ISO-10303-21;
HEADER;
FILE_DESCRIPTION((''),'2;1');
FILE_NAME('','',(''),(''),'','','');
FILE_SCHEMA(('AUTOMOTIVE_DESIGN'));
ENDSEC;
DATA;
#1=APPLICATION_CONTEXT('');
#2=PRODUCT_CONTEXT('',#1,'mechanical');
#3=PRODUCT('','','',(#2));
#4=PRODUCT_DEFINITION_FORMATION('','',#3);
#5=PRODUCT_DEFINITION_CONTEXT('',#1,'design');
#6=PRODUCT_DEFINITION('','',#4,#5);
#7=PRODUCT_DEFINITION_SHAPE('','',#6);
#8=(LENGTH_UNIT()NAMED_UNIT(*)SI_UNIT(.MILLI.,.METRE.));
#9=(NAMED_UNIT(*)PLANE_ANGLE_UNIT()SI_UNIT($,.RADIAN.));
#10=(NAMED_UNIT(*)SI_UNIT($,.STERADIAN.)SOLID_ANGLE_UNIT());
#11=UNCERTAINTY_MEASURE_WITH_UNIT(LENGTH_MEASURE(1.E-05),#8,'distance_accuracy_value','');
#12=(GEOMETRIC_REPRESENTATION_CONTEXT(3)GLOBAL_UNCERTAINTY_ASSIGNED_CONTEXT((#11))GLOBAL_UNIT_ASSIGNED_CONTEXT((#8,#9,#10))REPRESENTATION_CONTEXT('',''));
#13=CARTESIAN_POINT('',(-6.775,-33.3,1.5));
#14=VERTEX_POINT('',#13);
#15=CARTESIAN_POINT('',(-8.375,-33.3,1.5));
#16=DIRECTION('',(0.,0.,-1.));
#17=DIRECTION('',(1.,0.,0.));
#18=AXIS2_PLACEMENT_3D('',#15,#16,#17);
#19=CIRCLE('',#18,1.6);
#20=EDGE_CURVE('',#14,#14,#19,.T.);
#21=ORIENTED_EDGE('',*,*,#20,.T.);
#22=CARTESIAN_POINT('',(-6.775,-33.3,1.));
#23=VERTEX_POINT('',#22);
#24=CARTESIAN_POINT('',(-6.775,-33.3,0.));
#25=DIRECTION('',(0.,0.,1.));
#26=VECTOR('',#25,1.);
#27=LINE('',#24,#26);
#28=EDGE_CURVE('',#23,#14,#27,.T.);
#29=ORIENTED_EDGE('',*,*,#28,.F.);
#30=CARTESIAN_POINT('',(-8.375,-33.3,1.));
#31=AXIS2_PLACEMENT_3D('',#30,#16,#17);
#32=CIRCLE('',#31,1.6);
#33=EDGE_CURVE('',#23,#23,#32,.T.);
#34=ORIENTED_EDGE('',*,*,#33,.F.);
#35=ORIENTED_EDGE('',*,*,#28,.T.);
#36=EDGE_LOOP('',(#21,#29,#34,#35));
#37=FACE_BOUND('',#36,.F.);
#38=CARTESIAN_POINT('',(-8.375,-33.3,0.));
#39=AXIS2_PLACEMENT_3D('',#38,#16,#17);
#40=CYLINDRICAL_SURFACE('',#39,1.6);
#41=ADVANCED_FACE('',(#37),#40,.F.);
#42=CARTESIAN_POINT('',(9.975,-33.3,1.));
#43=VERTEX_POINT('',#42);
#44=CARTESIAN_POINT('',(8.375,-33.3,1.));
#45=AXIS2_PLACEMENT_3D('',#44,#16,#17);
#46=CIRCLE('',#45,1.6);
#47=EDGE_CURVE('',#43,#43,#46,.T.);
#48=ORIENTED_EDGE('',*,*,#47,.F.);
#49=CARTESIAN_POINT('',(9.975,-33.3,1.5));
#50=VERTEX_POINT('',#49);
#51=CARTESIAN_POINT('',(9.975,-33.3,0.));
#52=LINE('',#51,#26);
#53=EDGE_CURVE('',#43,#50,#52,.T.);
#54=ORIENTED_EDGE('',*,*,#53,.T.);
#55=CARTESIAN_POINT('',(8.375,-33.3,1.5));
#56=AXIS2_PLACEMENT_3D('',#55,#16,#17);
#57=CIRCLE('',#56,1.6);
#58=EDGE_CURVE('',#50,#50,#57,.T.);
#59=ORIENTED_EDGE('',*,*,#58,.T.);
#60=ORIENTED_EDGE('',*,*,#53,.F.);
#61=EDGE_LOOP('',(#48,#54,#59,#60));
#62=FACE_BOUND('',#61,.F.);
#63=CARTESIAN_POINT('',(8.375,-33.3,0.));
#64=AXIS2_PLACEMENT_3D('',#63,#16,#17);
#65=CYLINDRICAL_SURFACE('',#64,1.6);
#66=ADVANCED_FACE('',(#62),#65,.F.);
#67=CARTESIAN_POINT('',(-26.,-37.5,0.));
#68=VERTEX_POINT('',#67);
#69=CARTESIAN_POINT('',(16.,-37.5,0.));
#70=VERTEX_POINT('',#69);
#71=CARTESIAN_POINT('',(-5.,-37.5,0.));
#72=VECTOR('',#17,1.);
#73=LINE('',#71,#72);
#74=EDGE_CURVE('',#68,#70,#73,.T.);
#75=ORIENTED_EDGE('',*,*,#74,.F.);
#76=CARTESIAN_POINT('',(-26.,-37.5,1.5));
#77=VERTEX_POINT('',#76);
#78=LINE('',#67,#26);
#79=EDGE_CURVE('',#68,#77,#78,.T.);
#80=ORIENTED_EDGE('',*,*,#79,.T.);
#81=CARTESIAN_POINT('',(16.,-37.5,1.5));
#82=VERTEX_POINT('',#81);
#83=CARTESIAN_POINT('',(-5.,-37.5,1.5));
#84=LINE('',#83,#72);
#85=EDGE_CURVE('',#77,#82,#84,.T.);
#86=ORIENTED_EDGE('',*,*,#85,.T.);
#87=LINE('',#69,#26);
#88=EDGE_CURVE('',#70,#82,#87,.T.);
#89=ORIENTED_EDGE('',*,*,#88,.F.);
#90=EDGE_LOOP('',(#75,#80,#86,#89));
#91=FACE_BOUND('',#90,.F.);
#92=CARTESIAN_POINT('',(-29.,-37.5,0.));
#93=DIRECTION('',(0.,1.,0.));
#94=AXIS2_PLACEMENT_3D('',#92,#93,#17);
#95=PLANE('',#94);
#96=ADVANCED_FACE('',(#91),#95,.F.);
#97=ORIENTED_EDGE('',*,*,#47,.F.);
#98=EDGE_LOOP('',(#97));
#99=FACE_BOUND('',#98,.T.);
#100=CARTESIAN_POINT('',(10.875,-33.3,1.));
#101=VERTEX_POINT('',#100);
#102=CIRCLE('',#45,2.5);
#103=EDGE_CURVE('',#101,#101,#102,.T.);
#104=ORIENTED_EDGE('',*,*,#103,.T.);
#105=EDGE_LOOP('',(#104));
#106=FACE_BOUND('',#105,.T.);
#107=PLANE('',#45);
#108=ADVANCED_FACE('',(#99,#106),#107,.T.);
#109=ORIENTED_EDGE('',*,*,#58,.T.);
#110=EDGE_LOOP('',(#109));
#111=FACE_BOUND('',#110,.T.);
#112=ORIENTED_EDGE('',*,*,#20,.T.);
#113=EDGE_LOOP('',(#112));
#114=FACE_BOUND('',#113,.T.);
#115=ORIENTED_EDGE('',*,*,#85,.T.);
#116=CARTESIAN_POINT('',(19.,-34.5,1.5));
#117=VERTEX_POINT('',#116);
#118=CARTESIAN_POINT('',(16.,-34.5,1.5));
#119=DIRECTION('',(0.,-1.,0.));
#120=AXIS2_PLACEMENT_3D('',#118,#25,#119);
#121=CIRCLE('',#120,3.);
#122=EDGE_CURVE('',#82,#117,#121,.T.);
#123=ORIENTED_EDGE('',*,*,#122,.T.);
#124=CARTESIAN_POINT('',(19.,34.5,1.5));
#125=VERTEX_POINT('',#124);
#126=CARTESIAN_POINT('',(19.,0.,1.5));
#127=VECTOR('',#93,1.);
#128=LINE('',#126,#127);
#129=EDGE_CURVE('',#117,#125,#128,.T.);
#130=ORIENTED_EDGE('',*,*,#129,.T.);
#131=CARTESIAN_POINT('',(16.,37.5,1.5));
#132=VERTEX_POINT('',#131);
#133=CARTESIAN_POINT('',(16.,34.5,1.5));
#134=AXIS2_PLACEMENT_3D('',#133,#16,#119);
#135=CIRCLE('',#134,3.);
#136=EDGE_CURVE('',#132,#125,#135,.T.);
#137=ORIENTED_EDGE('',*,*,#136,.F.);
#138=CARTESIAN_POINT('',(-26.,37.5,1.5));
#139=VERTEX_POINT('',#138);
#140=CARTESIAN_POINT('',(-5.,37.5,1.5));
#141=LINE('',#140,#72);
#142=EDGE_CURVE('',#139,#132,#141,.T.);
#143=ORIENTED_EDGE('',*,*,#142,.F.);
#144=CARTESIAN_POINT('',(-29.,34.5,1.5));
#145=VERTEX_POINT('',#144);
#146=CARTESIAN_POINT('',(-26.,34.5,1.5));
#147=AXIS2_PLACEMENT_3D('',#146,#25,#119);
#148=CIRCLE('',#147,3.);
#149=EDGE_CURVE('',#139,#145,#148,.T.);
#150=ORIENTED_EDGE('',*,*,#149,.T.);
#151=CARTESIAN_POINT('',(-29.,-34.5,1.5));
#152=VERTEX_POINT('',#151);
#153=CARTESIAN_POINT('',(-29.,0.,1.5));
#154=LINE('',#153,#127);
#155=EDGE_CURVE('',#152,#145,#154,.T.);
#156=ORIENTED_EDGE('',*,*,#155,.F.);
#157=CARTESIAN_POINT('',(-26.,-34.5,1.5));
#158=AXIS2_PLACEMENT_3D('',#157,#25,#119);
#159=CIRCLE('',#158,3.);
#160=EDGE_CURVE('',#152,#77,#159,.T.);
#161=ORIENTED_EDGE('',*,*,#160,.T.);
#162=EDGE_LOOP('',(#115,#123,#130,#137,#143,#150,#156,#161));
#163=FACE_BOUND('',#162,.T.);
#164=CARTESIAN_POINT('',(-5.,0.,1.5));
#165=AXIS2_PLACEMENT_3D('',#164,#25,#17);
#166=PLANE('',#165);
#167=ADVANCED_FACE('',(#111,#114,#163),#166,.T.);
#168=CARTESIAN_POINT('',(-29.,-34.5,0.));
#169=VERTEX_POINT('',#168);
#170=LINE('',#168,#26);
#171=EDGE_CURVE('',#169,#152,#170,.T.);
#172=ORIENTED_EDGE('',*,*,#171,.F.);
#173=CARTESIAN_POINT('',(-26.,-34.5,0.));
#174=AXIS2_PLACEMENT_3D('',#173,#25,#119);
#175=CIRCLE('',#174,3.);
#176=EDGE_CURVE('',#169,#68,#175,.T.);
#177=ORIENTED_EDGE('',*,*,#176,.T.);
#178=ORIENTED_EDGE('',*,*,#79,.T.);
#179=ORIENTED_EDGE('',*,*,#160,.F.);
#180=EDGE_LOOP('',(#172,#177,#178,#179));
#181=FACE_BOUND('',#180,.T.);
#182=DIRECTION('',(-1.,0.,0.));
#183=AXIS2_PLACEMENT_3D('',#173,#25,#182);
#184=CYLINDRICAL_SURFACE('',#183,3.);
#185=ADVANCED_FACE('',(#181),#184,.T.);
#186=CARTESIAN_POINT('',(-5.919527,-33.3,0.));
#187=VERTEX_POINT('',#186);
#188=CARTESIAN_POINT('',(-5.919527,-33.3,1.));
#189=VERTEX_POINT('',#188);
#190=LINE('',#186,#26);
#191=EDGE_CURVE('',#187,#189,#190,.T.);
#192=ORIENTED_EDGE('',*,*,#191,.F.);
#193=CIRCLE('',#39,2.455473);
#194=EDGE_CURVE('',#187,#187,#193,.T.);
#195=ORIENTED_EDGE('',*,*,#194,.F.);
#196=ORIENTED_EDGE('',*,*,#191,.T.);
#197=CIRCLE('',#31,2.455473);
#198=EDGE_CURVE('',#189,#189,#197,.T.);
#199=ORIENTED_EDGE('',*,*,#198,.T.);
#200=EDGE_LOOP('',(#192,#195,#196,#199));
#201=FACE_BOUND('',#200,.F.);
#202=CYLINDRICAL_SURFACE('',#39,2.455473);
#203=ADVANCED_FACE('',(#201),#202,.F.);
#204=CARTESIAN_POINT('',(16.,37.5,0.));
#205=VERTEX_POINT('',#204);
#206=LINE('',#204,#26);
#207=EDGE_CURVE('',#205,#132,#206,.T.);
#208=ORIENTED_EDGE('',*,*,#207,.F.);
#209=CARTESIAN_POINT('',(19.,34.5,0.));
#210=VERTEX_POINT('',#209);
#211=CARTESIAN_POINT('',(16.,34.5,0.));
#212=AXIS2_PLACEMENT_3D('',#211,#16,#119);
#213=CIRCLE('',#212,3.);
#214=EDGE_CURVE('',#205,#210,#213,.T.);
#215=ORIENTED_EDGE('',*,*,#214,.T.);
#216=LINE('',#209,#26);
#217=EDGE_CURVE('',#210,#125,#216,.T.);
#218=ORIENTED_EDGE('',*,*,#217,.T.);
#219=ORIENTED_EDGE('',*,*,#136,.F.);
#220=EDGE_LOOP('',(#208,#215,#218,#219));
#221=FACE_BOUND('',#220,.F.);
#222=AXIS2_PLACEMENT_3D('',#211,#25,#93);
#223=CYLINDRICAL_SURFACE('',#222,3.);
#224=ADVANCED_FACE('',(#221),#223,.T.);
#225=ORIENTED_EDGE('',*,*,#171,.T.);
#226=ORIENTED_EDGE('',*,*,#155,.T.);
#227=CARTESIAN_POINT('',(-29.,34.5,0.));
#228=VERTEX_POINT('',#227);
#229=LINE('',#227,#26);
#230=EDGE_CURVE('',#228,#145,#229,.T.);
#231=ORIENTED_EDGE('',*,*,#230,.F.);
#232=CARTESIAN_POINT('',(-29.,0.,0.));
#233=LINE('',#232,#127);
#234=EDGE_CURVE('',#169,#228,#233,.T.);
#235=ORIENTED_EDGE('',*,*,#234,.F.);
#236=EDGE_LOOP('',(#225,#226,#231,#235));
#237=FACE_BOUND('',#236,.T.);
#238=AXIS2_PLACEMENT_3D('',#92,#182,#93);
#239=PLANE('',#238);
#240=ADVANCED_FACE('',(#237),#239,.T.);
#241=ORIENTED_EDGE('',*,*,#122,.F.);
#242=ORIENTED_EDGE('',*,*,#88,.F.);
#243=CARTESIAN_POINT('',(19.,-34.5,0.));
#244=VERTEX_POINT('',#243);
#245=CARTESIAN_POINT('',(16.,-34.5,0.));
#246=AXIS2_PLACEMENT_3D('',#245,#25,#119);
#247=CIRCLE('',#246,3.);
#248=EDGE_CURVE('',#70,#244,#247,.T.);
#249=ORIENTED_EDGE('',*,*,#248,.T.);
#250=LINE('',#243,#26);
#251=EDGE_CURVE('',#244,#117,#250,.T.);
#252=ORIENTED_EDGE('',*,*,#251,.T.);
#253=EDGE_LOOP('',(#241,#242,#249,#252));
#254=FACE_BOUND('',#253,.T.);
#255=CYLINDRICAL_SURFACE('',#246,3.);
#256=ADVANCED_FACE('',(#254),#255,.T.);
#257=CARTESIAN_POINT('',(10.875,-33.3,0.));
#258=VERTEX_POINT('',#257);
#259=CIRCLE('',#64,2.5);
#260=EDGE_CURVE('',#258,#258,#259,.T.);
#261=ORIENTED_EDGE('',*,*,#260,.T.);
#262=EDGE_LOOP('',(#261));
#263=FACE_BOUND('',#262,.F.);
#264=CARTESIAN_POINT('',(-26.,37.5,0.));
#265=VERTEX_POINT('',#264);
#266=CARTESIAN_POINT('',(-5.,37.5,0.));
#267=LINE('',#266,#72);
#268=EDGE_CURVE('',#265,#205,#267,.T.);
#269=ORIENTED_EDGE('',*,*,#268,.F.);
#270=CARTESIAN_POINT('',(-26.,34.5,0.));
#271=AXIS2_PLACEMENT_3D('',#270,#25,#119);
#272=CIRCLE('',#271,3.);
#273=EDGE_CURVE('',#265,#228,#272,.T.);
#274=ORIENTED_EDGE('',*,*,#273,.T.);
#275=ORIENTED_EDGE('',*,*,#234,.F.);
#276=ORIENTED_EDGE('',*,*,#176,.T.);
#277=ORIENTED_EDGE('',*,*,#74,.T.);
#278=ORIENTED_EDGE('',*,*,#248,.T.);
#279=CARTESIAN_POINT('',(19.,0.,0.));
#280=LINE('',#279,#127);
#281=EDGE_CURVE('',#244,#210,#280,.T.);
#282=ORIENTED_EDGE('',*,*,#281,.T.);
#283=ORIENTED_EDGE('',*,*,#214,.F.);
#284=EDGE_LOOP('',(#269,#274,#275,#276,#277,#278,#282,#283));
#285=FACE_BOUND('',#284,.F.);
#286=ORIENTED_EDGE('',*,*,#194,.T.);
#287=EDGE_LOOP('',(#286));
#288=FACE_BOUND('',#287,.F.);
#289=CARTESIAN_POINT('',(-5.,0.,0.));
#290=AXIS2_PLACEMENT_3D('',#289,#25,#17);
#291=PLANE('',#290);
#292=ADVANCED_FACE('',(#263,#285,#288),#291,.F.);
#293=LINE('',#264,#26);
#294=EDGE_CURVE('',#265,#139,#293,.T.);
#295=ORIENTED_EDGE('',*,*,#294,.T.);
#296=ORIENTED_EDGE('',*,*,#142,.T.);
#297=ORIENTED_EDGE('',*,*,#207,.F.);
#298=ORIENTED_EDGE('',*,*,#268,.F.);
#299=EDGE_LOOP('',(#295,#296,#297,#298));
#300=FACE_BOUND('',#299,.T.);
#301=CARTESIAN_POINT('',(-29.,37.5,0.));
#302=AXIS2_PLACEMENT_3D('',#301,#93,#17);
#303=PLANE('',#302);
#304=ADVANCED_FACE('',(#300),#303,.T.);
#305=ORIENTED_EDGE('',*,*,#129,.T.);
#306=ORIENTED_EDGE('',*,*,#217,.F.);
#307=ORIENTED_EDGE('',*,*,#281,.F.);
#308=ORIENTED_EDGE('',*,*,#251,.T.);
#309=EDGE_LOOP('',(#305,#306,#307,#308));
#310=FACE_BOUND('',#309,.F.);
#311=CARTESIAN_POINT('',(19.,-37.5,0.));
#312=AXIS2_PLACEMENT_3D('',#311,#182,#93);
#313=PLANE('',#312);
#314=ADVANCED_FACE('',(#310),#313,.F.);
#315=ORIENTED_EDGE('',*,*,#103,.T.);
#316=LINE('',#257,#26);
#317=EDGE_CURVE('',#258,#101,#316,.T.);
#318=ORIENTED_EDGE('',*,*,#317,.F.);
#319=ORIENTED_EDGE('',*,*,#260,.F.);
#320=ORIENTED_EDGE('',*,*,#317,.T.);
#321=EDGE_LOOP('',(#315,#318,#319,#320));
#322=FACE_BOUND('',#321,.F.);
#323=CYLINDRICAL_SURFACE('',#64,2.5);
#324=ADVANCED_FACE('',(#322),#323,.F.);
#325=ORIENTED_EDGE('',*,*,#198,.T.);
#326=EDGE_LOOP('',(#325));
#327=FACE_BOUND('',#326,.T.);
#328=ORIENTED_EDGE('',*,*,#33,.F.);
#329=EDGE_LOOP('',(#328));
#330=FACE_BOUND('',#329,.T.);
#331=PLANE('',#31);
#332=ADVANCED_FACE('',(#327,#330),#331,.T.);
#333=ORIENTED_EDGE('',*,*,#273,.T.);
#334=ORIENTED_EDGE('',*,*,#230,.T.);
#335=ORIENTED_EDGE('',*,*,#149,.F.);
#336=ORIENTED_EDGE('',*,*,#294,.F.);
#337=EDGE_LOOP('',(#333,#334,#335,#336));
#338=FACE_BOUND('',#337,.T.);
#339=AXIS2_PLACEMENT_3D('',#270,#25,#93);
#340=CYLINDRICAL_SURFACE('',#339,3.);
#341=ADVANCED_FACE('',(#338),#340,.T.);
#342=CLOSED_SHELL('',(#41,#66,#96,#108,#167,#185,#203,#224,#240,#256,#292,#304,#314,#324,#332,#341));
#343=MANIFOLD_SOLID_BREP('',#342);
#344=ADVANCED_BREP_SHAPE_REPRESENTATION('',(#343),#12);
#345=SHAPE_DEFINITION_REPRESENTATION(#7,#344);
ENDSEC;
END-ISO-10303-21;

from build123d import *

# Parameters (mm, degrees)
SKETCH_W        = 48
SKETCH_H        = 75
PAD_DEPTH       = 1.5
FILLET006_R     = 3
FILLET007_R     = 3
FILLET008_R     = 3
SKETCH010_R     = 1.6
POCKET009_DEPTH = 1.501
SKETCH015_R     = 2.455473
SKETCH015_R_2   = 2.5
POCKET011_DEPTH = 1


with BuildPart() as part:
    # Sketch → Pad (new body)
    with BuildSketch(Plane.XY):
        with Locations((-5, 0)):
            Rectangle(SKETCH_W, SKETCH_H)
    extrude(amount=PAD_DEPTH)

    # Fillet006
    fillet006_edges = [part.edges().sort_by_distance(p)[0] for p in [
        (-29, -37.5, 0.75),
    ]]
    fillet(fillet006_edges, radius=FILLET006_R)

    # Fillet007
    fillet007_edges = [part.edges().sort_by_distance(p)[0] for p in [
        (19, -37.5, 0.75),
        (19, 37.5, 0.75),
    ]]
    fillet(fillet007_edges, radius=FILLET007_R)

    # Fillet008
    fillet008_edges = [part.edges().sort_by_distance(p)[0] for p in [
        (-29, 37.5, 0.75),
    ]]
    fillet(fillet008_edges, radius=FILLET008_R)

    # Sketch010 → Pocket009 (cut, through all)
    with BuildSketch(Plane(origin=(0, 0, 0), x_dir=(1, 0, 0), z_dir=(0, 0, -1))):
        with Locations((-8.375, 33.3)):
            Circle(SKETCH010_R)
        with Locations((8.375, 33.3)):
            Circle(SKETCH010_R)
    extrude(amount=-POCKET009_DEPTH, mode=Mode.SUBTRACT)

    # Sketch015 → Pocket011 (cut)
    with BuildSketch(Plane(origin=(0, 0, 0), x_dir=(1, 0, 0), z_dir=(0, 0, -1))):
        with Locations((-8.375, 33.3)):
            Circle(SKETCH015_R)
        with Locations((8.375, 33.3)):
            Circle(SKETCH015_R_2)
    extrude(amount=-POCKET011_DEPTH, mode=Mode.SUBTRACT)


solid = part.part
